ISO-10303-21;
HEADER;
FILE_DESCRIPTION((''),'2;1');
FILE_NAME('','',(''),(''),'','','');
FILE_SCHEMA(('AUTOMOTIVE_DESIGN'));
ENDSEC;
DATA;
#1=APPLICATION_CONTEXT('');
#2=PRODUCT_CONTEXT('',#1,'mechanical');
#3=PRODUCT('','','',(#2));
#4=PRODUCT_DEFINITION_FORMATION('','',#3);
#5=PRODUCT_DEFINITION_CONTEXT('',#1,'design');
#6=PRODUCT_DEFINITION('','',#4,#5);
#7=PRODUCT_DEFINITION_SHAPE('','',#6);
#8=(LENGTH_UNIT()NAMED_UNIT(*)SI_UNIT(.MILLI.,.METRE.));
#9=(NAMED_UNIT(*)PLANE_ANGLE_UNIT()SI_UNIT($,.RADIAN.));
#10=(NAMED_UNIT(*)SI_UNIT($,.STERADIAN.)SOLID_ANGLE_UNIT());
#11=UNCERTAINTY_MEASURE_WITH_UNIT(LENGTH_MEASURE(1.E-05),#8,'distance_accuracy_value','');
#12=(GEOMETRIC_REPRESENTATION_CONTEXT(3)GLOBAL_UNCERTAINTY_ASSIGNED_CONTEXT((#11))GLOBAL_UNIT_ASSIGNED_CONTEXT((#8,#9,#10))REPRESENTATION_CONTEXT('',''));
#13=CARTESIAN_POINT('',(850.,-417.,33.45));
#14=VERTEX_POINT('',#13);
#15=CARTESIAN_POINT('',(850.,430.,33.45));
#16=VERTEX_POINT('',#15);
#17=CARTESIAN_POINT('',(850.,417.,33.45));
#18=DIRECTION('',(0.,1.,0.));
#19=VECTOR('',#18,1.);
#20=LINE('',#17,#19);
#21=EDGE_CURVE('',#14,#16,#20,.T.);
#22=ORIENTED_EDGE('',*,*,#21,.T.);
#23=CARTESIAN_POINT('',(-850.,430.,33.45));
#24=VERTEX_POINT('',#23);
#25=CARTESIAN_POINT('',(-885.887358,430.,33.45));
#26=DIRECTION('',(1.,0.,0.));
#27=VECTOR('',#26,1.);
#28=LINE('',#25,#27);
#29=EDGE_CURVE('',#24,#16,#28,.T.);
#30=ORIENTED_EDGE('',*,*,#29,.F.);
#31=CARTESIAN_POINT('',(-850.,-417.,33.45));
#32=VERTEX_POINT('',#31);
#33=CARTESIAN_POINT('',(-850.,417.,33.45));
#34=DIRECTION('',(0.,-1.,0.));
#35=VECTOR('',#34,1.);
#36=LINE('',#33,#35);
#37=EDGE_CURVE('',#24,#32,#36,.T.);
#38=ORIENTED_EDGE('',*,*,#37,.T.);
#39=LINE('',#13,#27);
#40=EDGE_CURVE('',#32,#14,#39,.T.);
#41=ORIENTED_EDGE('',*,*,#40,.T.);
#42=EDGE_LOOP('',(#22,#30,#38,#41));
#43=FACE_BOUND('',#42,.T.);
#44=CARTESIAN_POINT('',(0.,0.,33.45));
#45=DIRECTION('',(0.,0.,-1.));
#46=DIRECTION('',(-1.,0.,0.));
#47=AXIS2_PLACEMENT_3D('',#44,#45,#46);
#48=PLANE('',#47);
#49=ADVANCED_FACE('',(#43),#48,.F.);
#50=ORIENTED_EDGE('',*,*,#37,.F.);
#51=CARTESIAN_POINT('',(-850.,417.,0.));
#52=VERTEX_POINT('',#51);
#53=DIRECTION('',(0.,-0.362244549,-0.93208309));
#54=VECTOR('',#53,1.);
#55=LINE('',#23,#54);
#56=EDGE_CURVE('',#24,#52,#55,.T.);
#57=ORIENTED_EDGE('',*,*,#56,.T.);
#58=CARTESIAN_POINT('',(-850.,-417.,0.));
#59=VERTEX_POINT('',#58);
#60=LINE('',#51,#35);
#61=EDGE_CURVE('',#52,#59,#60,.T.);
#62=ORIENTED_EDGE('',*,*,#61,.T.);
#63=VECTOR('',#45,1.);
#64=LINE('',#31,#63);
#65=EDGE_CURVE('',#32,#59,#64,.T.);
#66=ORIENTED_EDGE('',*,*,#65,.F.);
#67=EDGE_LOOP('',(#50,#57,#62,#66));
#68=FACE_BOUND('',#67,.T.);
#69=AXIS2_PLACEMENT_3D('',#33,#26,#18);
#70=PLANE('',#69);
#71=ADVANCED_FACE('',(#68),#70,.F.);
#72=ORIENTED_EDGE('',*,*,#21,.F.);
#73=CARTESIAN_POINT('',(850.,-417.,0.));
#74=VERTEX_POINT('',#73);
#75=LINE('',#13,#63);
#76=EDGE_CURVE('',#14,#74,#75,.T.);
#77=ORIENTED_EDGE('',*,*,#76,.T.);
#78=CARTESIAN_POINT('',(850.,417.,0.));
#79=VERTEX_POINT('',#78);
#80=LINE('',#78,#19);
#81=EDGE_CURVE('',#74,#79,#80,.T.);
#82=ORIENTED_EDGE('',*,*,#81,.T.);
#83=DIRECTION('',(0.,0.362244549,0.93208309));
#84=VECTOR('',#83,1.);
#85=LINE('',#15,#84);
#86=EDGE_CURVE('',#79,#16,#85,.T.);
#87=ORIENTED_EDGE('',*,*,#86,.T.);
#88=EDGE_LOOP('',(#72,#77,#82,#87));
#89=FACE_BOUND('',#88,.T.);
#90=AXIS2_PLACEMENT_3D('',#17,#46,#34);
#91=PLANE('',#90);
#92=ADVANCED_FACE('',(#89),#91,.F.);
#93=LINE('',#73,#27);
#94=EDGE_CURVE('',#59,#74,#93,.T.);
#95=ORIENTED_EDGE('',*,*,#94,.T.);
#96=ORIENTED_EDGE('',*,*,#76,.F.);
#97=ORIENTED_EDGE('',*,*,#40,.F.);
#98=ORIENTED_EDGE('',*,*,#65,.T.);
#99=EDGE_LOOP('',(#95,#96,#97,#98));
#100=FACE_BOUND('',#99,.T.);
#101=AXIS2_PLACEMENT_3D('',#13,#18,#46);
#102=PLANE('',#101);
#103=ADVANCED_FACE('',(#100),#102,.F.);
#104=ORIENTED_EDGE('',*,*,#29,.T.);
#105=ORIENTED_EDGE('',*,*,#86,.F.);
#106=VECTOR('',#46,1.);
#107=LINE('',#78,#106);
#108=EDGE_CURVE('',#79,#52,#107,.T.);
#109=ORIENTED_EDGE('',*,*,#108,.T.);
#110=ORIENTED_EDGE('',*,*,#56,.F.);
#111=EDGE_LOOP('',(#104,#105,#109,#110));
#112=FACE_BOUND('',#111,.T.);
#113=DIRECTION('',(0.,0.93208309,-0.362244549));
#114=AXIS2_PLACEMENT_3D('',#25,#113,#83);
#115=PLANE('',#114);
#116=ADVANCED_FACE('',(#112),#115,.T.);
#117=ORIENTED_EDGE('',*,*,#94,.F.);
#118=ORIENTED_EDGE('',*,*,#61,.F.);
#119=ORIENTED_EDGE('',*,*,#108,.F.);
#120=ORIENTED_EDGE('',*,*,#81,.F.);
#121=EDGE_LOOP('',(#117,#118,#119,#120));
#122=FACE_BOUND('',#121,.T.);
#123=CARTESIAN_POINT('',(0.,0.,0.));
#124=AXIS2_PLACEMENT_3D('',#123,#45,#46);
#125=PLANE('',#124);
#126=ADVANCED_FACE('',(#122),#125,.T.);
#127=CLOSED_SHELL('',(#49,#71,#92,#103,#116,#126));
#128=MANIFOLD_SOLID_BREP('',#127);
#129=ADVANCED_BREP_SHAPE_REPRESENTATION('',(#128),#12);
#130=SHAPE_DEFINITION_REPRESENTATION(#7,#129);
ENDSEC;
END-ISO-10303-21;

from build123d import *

# Parameters (mm, degrees)
SKETCH1_W           = 1700
SKETCH1_H           = 834
BOSS_EXTRUDE1_DEPTH = 33.45
BOSS_EXTRUDE2_DEPTH = 1700


with BuildPart() as part:
    # Sketch1 → Boss-Extrude1 (new body)
    with BuildSketch(Plane.XY):
        Rectangle(SKETCH1_W, SKETCH1_H)
    extrude(amount=BOSS_EXTRUDE1_DEPTH)

    # Sketch2 → Boss-Extrude2 (add)
    with BuildSketch(Plane(origin=(850, 0, 0), x_dir=(0, 0, -1), z_dir=(1, 0, 0))):
        Polygon((-33.45, 417), (-33.45, 430), (0, 417), align=None)
    extrude(amount=-BOSS_EXTRUDE2_DEPTH)


solid = part.part
